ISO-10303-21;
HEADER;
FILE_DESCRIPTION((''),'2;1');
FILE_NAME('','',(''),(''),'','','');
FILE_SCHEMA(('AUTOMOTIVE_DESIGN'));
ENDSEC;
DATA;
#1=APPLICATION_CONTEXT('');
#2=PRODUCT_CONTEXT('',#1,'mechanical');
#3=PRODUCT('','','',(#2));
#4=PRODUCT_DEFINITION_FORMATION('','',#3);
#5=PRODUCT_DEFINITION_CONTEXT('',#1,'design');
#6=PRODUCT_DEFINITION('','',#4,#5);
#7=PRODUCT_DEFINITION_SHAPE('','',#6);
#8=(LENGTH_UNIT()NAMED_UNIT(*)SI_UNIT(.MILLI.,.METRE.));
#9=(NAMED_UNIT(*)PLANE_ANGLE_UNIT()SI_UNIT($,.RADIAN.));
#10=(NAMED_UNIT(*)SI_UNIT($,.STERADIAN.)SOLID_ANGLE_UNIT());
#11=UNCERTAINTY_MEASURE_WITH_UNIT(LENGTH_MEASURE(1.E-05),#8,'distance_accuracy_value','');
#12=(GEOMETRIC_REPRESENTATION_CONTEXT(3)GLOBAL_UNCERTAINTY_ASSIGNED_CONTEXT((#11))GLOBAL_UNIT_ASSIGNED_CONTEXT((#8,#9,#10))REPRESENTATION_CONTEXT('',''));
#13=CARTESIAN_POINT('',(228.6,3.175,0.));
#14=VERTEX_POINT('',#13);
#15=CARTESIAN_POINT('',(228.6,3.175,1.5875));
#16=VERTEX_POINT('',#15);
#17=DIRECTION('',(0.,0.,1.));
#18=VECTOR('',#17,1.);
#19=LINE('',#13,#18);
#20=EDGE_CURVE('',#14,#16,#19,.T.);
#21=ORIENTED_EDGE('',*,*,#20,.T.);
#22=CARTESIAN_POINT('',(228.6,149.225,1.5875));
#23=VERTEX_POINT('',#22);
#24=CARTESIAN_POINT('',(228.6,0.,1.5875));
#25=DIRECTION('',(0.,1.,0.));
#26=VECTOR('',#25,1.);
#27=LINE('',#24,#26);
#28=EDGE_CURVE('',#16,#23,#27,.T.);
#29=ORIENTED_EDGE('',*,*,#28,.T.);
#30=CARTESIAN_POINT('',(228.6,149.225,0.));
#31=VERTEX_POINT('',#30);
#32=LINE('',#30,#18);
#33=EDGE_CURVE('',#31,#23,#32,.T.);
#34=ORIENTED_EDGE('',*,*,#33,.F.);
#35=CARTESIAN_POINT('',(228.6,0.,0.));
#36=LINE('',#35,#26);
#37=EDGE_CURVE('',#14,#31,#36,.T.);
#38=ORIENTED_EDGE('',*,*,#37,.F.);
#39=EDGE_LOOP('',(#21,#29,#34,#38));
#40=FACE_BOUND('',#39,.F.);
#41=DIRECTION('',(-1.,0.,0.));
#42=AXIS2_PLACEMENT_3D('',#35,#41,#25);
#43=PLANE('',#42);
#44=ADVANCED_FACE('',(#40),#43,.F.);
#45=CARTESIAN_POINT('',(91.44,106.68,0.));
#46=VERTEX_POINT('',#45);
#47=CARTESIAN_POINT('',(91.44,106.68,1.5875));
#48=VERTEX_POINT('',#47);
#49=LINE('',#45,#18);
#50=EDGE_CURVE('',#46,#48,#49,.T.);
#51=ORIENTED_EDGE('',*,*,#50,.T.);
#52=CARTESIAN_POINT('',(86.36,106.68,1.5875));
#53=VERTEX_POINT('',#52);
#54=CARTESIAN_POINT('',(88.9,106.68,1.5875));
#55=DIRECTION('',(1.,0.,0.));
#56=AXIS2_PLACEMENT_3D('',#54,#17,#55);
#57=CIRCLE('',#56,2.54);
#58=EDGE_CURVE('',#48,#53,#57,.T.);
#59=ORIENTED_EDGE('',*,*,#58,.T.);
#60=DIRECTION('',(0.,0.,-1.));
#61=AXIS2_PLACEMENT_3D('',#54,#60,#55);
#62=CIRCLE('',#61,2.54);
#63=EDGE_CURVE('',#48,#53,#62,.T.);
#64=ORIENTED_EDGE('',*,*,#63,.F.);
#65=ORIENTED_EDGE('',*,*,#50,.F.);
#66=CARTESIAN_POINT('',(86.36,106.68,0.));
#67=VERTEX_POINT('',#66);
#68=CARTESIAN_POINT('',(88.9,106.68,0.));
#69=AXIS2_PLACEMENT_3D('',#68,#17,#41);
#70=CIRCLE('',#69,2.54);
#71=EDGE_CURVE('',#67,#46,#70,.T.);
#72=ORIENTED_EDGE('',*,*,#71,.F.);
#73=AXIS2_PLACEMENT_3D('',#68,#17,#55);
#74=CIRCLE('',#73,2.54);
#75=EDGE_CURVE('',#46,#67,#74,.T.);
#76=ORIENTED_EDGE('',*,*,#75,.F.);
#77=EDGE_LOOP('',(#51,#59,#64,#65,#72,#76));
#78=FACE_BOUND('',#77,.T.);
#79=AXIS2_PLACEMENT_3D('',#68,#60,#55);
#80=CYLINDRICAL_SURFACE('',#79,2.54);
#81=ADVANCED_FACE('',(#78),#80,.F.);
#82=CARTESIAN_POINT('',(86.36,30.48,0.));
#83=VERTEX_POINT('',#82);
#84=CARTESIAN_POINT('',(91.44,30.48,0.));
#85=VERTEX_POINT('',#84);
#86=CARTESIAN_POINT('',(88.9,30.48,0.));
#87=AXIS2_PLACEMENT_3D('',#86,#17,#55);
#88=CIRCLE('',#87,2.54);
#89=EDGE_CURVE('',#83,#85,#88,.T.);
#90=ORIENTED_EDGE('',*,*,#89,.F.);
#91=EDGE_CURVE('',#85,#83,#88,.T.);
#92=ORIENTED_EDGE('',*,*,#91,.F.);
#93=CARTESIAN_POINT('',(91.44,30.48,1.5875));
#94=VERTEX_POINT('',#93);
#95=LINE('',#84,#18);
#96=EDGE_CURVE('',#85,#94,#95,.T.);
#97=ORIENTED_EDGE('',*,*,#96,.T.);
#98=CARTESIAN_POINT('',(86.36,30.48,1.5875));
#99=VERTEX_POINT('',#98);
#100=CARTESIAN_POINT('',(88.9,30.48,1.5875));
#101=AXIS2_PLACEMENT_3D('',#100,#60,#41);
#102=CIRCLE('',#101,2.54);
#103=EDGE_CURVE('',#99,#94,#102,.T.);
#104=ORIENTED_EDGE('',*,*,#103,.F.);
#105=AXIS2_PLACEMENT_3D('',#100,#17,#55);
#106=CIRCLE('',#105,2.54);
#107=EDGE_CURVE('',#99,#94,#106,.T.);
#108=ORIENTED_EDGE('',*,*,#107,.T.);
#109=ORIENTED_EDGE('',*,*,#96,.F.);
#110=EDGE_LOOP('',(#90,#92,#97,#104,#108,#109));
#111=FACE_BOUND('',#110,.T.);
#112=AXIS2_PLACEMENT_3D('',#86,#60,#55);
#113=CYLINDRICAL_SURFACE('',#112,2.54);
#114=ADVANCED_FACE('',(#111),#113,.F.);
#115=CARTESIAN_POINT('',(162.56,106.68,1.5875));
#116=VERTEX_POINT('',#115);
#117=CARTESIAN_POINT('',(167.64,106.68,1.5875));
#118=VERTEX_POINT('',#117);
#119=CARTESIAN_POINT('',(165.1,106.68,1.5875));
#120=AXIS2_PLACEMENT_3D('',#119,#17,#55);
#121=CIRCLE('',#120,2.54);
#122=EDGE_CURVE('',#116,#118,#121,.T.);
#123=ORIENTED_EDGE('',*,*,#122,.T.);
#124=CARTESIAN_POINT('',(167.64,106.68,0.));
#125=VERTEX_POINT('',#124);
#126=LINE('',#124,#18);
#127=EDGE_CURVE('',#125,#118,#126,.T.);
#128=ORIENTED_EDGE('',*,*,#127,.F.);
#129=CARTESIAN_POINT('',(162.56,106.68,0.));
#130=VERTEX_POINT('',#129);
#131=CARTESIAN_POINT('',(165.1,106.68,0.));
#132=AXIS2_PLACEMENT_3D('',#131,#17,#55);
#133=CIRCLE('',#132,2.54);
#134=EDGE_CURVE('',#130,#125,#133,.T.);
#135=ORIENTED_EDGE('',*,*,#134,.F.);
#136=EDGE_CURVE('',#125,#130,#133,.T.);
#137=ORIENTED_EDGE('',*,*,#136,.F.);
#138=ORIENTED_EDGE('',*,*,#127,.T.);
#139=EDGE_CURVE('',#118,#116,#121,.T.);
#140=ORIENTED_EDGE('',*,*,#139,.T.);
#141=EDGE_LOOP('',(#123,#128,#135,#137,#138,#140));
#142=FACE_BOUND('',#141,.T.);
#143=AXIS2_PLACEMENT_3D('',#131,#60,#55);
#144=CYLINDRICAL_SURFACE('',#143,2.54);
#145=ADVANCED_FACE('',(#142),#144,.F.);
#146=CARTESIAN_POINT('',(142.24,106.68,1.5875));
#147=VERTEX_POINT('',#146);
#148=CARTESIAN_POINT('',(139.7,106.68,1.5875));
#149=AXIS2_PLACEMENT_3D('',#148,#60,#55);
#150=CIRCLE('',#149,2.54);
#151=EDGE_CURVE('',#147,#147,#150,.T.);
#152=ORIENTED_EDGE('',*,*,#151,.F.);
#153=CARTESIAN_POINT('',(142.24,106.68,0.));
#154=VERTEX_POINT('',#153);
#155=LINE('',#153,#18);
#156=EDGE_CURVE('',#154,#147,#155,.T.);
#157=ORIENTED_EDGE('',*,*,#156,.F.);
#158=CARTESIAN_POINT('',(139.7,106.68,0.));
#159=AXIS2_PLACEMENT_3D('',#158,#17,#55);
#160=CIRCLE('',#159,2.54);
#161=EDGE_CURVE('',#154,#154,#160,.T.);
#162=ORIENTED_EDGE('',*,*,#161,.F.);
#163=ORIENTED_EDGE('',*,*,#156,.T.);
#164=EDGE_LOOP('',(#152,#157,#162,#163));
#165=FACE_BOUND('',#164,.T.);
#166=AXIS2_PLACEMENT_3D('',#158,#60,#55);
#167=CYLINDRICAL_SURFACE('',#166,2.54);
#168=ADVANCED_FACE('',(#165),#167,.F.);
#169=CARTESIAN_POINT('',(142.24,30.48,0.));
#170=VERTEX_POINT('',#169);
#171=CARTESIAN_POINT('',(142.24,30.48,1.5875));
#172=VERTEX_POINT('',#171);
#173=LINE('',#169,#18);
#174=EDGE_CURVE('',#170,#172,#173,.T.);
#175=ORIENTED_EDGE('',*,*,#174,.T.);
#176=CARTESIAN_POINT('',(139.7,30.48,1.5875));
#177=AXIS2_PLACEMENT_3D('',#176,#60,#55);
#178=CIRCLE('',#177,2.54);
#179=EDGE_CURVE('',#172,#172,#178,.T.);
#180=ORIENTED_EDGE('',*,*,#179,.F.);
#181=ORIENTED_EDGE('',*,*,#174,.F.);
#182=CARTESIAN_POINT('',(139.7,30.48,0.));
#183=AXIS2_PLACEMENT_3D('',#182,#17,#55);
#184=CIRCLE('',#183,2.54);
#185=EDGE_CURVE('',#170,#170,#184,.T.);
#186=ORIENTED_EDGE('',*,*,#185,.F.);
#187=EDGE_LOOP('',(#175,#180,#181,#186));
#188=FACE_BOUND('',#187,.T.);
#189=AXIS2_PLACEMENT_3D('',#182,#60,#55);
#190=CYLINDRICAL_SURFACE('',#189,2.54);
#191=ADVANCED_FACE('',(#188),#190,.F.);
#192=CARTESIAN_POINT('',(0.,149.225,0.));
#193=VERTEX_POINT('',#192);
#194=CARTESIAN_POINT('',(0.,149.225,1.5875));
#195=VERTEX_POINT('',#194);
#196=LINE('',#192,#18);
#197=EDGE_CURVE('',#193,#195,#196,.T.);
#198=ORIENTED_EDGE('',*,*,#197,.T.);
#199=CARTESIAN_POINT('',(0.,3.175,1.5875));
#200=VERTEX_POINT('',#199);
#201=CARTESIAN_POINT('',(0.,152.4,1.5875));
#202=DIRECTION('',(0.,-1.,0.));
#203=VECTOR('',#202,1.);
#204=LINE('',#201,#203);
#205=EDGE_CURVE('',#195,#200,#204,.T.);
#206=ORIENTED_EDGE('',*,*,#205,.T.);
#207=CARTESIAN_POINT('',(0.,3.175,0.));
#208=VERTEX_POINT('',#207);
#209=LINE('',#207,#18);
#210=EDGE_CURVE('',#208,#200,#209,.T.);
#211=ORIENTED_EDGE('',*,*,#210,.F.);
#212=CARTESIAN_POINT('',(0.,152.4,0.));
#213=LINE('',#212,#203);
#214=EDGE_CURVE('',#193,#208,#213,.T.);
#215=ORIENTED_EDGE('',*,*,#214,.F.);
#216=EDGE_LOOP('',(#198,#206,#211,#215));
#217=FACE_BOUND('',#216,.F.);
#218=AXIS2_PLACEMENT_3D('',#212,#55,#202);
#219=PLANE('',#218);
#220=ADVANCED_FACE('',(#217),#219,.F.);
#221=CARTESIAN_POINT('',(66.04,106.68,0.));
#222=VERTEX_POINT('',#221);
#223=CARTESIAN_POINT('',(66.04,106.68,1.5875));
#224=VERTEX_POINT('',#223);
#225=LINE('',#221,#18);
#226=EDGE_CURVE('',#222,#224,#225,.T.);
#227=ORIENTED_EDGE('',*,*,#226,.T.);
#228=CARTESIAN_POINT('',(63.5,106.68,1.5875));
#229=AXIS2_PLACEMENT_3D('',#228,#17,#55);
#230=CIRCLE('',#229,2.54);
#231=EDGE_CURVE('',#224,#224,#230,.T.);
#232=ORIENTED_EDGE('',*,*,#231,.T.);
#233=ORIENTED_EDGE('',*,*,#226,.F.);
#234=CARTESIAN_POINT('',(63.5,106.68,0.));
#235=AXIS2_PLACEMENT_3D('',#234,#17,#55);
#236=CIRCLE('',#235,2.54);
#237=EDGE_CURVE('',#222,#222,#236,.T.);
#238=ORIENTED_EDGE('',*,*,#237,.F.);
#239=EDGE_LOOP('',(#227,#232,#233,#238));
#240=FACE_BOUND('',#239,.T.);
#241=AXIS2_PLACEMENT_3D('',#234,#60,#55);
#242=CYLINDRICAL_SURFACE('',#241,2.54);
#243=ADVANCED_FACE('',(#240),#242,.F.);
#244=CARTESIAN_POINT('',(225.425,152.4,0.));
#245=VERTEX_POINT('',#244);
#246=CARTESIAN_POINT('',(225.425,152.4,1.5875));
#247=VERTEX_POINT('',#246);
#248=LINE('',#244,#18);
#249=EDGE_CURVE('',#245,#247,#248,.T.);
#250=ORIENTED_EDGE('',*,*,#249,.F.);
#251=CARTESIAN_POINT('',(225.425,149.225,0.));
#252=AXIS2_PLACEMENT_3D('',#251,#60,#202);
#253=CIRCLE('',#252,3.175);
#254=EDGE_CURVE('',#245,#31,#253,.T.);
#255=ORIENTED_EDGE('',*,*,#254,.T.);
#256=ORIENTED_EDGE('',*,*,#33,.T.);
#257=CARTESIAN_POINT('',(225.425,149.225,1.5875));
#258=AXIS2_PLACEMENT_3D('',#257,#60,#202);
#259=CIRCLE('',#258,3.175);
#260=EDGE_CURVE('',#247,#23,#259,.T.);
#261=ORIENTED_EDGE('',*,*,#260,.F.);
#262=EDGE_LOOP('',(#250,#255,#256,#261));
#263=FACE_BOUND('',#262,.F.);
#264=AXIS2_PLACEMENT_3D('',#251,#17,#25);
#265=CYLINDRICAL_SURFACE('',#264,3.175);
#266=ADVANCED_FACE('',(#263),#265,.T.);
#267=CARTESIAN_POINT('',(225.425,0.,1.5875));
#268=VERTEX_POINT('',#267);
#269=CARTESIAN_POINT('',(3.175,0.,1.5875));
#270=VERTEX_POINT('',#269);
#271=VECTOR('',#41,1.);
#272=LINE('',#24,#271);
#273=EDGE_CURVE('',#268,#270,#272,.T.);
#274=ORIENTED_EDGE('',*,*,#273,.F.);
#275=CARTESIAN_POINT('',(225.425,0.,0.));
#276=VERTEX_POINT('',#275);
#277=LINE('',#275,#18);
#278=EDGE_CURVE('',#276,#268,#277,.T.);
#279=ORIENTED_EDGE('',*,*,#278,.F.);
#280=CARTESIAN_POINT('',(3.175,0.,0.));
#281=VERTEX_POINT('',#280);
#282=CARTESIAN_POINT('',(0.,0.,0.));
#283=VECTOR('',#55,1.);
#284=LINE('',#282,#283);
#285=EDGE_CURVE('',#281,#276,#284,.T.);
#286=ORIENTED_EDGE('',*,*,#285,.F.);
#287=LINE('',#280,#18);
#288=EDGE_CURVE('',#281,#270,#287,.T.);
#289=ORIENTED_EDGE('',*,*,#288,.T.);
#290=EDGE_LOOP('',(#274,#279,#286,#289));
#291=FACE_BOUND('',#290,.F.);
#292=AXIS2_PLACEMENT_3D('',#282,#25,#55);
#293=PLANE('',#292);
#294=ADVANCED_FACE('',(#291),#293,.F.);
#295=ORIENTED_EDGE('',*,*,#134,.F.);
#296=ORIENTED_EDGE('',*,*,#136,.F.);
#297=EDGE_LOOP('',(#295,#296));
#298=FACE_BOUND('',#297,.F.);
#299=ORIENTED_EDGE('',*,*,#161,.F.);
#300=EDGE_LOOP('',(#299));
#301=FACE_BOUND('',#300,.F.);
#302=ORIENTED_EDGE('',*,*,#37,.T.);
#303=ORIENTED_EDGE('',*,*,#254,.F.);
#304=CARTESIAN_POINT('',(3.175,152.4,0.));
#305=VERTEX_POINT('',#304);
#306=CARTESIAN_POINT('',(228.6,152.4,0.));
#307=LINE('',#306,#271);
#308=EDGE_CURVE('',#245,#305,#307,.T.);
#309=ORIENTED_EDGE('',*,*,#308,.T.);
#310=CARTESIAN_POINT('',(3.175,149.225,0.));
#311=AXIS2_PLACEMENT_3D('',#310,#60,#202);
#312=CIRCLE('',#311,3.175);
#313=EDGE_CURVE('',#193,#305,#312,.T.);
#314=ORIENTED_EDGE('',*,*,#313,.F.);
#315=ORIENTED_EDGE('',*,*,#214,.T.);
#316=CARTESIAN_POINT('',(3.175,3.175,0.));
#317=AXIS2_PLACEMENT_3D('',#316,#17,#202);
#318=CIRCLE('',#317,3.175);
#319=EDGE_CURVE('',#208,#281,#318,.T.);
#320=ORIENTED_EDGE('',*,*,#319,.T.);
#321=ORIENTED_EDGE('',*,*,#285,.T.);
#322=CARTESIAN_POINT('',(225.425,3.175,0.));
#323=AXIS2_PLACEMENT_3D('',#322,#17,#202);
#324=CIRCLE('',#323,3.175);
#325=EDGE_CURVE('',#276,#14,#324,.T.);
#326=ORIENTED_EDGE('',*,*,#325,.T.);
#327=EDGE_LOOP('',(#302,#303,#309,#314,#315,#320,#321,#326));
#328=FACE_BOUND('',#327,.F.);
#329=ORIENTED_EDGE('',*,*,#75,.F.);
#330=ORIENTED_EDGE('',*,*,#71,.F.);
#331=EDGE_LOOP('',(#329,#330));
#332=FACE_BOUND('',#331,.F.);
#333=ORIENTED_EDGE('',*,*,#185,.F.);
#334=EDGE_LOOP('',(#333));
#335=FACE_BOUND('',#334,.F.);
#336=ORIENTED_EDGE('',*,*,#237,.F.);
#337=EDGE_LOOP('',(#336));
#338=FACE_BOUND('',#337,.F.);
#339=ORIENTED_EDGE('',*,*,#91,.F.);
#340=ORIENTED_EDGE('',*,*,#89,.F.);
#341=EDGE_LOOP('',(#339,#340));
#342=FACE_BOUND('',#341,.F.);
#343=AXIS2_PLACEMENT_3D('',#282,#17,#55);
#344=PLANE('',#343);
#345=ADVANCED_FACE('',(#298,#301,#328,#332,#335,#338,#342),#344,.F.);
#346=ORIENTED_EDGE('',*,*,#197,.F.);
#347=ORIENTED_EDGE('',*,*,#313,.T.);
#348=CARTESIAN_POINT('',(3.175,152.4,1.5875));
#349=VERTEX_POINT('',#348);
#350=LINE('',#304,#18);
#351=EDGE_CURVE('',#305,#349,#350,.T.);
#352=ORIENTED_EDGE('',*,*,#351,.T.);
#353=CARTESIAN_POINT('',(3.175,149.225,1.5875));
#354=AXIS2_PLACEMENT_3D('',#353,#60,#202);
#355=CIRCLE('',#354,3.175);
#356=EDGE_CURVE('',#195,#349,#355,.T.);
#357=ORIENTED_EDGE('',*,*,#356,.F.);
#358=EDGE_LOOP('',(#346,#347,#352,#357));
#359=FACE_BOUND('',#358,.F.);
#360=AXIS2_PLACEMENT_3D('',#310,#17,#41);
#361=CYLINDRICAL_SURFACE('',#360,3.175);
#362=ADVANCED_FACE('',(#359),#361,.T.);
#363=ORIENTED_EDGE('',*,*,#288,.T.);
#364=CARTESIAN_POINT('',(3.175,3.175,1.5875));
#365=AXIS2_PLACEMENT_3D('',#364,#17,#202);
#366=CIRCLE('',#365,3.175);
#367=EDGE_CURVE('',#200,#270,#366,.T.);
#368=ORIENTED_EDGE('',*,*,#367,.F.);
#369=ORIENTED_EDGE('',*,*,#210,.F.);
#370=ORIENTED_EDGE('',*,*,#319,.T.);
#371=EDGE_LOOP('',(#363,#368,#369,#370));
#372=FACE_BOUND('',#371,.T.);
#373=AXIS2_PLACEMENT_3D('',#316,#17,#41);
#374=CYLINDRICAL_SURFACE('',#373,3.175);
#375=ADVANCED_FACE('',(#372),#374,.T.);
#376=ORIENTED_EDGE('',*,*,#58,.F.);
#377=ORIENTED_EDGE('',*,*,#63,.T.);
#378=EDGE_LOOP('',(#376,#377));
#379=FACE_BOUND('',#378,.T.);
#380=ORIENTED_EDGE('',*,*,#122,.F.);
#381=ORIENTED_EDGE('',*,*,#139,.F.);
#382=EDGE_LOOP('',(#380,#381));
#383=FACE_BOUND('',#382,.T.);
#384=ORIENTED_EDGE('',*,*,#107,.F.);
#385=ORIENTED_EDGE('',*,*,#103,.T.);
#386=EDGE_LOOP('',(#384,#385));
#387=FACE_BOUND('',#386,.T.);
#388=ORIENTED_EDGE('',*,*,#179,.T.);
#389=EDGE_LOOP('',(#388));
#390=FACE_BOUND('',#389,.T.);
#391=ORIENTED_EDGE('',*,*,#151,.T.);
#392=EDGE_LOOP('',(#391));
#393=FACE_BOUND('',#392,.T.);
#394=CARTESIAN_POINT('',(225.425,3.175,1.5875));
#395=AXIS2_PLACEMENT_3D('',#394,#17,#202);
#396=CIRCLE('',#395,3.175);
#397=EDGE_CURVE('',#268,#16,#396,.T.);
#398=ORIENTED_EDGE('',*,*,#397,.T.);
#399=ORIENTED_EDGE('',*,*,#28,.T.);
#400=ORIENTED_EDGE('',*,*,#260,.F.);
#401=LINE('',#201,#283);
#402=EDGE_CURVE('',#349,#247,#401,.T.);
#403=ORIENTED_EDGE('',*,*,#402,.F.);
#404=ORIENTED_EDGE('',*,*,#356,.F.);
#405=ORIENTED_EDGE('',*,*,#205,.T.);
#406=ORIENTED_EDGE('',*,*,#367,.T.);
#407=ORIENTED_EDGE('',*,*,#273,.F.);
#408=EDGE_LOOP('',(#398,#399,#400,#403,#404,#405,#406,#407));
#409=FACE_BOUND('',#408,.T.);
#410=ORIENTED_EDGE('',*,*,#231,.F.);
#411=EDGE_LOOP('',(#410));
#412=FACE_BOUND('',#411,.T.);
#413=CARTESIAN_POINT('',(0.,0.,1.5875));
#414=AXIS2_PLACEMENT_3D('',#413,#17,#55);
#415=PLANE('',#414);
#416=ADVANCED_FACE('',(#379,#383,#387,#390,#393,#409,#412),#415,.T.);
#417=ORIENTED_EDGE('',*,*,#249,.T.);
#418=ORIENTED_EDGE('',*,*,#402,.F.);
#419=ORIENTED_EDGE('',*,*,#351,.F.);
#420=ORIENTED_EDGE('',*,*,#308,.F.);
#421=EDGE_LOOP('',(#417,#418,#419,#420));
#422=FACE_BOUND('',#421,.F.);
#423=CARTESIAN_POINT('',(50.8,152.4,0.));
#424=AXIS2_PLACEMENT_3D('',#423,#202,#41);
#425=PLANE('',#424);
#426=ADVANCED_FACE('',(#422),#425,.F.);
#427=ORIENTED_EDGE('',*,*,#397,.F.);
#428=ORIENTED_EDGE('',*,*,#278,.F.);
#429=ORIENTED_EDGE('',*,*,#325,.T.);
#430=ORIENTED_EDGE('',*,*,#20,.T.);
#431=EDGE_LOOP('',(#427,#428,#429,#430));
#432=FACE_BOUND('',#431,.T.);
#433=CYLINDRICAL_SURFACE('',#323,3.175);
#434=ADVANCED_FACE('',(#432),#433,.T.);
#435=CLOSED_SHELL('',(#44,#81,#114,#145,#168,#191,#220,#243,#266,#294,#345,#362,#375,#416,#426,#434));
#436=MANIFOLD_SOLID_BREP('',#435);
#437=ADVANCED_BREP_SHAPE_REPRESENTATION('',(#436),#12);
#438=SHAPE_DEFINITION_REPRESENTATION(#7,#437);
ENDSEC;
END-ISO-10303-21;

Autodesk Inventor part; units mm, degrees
ref_plane "YZ Plane" through (0, 0, 0) normal (1, 0, 0) x (0, 1, 0)
ref_plane "XZ Plane" through (0, 0, 0) normal (0, 1, 0) x (-1, 0, 0)
ref_plane "XY Plane" through (0, 0, 0) normal (0, 0, 1) x (1, 0, 0)
sketch "Sketch1" plane through (0, 0, 0) normal (0, 0, 1) x (1, 0, 0)
  line L0 (0, 0) -> (228.6, 0)
  line L1 (228.6, 0) -> (228.6, 152.4)
  line L2 (228.6, 152.4) -> (0, 152.4)
  line L3 (0, 152.4) -> (0, 0)
  line L4 (0, 152.4) -> (50.8, 152.4)
  line L5 (50.8, 152.4) -> (50.8, 0)
  line L6 (228.6, 152.4) -> (177.8, 152.4)
  line L7 (177.8, 152.4) -> (177.8, 0)
  line L8 (50.8, 0) -> (50.8, 30.48)
  line L9 (50.8, 30.48) -> (88.9, 30.48)
  circle A0 centre (88.9, 30.48) radius 2.54
  line L10 (88.9, 30.48) -> (139.7, 30.48)
  circle A1 centre (139.7, 30.48) radius 2.54
  line L11 (139.7, 30.48) -> (139.7, 106.68)
  circle A2 centre (139.7, 106.68) radius 2.54
  line L12 (88.9, 30.48) -> (88.9, 106.68)
  circle A3 centre (88.9, 106.68) radius 2.54
  line L13 (88.9, 106.68) -> (139.7, 106.68)
  line L14 (139.7, 106.68) -> (165.1, 106.68)
  circle A4 centre (165.1, 106.68) radius 2.54
  line L15 (88.9, 106.68) -> (63.5, 106.68)
  circle A5 centre (63.5, 106.68) radius 2.54
  dimension "d0" = 228.6
  dimension "d1" = 152.4
  dimension "d2" = 50.8
  dimension "d3" = 50.8
  dimension "d4" = 30.48
  dimension "d5" = 38.1
  dimension "d6" = 5.08
  dimension "d7" = 50.8
  dimension "d8" = 5.08
  dimension "d9" = 76.2
  dimension "d10" = 5.08
  dimension "d11" = 5.08
  dimension "d12" = 25.4
  dimension "d13" = 5.08
  dimension "d14" = 25.4
  dimension "d15" = 5.08
extrude "Extrusion1" add sketch "Sketch1" along normal blind 1.5875 contours L3 L2 L5 L0 | L5 L2 L7 L0 | L7 L2 L1 L0 | L12 A3 L13 A2 L11 A1 L10 A0
fillet "Fillet1" radius 3.175 4 edges at (0, 152.4, 0.7937) (228.6, 152.4, 0.7937) (228.6, 0, 0.7937) (0, 0, 0.7937)
properties part number "Kicker poly"
